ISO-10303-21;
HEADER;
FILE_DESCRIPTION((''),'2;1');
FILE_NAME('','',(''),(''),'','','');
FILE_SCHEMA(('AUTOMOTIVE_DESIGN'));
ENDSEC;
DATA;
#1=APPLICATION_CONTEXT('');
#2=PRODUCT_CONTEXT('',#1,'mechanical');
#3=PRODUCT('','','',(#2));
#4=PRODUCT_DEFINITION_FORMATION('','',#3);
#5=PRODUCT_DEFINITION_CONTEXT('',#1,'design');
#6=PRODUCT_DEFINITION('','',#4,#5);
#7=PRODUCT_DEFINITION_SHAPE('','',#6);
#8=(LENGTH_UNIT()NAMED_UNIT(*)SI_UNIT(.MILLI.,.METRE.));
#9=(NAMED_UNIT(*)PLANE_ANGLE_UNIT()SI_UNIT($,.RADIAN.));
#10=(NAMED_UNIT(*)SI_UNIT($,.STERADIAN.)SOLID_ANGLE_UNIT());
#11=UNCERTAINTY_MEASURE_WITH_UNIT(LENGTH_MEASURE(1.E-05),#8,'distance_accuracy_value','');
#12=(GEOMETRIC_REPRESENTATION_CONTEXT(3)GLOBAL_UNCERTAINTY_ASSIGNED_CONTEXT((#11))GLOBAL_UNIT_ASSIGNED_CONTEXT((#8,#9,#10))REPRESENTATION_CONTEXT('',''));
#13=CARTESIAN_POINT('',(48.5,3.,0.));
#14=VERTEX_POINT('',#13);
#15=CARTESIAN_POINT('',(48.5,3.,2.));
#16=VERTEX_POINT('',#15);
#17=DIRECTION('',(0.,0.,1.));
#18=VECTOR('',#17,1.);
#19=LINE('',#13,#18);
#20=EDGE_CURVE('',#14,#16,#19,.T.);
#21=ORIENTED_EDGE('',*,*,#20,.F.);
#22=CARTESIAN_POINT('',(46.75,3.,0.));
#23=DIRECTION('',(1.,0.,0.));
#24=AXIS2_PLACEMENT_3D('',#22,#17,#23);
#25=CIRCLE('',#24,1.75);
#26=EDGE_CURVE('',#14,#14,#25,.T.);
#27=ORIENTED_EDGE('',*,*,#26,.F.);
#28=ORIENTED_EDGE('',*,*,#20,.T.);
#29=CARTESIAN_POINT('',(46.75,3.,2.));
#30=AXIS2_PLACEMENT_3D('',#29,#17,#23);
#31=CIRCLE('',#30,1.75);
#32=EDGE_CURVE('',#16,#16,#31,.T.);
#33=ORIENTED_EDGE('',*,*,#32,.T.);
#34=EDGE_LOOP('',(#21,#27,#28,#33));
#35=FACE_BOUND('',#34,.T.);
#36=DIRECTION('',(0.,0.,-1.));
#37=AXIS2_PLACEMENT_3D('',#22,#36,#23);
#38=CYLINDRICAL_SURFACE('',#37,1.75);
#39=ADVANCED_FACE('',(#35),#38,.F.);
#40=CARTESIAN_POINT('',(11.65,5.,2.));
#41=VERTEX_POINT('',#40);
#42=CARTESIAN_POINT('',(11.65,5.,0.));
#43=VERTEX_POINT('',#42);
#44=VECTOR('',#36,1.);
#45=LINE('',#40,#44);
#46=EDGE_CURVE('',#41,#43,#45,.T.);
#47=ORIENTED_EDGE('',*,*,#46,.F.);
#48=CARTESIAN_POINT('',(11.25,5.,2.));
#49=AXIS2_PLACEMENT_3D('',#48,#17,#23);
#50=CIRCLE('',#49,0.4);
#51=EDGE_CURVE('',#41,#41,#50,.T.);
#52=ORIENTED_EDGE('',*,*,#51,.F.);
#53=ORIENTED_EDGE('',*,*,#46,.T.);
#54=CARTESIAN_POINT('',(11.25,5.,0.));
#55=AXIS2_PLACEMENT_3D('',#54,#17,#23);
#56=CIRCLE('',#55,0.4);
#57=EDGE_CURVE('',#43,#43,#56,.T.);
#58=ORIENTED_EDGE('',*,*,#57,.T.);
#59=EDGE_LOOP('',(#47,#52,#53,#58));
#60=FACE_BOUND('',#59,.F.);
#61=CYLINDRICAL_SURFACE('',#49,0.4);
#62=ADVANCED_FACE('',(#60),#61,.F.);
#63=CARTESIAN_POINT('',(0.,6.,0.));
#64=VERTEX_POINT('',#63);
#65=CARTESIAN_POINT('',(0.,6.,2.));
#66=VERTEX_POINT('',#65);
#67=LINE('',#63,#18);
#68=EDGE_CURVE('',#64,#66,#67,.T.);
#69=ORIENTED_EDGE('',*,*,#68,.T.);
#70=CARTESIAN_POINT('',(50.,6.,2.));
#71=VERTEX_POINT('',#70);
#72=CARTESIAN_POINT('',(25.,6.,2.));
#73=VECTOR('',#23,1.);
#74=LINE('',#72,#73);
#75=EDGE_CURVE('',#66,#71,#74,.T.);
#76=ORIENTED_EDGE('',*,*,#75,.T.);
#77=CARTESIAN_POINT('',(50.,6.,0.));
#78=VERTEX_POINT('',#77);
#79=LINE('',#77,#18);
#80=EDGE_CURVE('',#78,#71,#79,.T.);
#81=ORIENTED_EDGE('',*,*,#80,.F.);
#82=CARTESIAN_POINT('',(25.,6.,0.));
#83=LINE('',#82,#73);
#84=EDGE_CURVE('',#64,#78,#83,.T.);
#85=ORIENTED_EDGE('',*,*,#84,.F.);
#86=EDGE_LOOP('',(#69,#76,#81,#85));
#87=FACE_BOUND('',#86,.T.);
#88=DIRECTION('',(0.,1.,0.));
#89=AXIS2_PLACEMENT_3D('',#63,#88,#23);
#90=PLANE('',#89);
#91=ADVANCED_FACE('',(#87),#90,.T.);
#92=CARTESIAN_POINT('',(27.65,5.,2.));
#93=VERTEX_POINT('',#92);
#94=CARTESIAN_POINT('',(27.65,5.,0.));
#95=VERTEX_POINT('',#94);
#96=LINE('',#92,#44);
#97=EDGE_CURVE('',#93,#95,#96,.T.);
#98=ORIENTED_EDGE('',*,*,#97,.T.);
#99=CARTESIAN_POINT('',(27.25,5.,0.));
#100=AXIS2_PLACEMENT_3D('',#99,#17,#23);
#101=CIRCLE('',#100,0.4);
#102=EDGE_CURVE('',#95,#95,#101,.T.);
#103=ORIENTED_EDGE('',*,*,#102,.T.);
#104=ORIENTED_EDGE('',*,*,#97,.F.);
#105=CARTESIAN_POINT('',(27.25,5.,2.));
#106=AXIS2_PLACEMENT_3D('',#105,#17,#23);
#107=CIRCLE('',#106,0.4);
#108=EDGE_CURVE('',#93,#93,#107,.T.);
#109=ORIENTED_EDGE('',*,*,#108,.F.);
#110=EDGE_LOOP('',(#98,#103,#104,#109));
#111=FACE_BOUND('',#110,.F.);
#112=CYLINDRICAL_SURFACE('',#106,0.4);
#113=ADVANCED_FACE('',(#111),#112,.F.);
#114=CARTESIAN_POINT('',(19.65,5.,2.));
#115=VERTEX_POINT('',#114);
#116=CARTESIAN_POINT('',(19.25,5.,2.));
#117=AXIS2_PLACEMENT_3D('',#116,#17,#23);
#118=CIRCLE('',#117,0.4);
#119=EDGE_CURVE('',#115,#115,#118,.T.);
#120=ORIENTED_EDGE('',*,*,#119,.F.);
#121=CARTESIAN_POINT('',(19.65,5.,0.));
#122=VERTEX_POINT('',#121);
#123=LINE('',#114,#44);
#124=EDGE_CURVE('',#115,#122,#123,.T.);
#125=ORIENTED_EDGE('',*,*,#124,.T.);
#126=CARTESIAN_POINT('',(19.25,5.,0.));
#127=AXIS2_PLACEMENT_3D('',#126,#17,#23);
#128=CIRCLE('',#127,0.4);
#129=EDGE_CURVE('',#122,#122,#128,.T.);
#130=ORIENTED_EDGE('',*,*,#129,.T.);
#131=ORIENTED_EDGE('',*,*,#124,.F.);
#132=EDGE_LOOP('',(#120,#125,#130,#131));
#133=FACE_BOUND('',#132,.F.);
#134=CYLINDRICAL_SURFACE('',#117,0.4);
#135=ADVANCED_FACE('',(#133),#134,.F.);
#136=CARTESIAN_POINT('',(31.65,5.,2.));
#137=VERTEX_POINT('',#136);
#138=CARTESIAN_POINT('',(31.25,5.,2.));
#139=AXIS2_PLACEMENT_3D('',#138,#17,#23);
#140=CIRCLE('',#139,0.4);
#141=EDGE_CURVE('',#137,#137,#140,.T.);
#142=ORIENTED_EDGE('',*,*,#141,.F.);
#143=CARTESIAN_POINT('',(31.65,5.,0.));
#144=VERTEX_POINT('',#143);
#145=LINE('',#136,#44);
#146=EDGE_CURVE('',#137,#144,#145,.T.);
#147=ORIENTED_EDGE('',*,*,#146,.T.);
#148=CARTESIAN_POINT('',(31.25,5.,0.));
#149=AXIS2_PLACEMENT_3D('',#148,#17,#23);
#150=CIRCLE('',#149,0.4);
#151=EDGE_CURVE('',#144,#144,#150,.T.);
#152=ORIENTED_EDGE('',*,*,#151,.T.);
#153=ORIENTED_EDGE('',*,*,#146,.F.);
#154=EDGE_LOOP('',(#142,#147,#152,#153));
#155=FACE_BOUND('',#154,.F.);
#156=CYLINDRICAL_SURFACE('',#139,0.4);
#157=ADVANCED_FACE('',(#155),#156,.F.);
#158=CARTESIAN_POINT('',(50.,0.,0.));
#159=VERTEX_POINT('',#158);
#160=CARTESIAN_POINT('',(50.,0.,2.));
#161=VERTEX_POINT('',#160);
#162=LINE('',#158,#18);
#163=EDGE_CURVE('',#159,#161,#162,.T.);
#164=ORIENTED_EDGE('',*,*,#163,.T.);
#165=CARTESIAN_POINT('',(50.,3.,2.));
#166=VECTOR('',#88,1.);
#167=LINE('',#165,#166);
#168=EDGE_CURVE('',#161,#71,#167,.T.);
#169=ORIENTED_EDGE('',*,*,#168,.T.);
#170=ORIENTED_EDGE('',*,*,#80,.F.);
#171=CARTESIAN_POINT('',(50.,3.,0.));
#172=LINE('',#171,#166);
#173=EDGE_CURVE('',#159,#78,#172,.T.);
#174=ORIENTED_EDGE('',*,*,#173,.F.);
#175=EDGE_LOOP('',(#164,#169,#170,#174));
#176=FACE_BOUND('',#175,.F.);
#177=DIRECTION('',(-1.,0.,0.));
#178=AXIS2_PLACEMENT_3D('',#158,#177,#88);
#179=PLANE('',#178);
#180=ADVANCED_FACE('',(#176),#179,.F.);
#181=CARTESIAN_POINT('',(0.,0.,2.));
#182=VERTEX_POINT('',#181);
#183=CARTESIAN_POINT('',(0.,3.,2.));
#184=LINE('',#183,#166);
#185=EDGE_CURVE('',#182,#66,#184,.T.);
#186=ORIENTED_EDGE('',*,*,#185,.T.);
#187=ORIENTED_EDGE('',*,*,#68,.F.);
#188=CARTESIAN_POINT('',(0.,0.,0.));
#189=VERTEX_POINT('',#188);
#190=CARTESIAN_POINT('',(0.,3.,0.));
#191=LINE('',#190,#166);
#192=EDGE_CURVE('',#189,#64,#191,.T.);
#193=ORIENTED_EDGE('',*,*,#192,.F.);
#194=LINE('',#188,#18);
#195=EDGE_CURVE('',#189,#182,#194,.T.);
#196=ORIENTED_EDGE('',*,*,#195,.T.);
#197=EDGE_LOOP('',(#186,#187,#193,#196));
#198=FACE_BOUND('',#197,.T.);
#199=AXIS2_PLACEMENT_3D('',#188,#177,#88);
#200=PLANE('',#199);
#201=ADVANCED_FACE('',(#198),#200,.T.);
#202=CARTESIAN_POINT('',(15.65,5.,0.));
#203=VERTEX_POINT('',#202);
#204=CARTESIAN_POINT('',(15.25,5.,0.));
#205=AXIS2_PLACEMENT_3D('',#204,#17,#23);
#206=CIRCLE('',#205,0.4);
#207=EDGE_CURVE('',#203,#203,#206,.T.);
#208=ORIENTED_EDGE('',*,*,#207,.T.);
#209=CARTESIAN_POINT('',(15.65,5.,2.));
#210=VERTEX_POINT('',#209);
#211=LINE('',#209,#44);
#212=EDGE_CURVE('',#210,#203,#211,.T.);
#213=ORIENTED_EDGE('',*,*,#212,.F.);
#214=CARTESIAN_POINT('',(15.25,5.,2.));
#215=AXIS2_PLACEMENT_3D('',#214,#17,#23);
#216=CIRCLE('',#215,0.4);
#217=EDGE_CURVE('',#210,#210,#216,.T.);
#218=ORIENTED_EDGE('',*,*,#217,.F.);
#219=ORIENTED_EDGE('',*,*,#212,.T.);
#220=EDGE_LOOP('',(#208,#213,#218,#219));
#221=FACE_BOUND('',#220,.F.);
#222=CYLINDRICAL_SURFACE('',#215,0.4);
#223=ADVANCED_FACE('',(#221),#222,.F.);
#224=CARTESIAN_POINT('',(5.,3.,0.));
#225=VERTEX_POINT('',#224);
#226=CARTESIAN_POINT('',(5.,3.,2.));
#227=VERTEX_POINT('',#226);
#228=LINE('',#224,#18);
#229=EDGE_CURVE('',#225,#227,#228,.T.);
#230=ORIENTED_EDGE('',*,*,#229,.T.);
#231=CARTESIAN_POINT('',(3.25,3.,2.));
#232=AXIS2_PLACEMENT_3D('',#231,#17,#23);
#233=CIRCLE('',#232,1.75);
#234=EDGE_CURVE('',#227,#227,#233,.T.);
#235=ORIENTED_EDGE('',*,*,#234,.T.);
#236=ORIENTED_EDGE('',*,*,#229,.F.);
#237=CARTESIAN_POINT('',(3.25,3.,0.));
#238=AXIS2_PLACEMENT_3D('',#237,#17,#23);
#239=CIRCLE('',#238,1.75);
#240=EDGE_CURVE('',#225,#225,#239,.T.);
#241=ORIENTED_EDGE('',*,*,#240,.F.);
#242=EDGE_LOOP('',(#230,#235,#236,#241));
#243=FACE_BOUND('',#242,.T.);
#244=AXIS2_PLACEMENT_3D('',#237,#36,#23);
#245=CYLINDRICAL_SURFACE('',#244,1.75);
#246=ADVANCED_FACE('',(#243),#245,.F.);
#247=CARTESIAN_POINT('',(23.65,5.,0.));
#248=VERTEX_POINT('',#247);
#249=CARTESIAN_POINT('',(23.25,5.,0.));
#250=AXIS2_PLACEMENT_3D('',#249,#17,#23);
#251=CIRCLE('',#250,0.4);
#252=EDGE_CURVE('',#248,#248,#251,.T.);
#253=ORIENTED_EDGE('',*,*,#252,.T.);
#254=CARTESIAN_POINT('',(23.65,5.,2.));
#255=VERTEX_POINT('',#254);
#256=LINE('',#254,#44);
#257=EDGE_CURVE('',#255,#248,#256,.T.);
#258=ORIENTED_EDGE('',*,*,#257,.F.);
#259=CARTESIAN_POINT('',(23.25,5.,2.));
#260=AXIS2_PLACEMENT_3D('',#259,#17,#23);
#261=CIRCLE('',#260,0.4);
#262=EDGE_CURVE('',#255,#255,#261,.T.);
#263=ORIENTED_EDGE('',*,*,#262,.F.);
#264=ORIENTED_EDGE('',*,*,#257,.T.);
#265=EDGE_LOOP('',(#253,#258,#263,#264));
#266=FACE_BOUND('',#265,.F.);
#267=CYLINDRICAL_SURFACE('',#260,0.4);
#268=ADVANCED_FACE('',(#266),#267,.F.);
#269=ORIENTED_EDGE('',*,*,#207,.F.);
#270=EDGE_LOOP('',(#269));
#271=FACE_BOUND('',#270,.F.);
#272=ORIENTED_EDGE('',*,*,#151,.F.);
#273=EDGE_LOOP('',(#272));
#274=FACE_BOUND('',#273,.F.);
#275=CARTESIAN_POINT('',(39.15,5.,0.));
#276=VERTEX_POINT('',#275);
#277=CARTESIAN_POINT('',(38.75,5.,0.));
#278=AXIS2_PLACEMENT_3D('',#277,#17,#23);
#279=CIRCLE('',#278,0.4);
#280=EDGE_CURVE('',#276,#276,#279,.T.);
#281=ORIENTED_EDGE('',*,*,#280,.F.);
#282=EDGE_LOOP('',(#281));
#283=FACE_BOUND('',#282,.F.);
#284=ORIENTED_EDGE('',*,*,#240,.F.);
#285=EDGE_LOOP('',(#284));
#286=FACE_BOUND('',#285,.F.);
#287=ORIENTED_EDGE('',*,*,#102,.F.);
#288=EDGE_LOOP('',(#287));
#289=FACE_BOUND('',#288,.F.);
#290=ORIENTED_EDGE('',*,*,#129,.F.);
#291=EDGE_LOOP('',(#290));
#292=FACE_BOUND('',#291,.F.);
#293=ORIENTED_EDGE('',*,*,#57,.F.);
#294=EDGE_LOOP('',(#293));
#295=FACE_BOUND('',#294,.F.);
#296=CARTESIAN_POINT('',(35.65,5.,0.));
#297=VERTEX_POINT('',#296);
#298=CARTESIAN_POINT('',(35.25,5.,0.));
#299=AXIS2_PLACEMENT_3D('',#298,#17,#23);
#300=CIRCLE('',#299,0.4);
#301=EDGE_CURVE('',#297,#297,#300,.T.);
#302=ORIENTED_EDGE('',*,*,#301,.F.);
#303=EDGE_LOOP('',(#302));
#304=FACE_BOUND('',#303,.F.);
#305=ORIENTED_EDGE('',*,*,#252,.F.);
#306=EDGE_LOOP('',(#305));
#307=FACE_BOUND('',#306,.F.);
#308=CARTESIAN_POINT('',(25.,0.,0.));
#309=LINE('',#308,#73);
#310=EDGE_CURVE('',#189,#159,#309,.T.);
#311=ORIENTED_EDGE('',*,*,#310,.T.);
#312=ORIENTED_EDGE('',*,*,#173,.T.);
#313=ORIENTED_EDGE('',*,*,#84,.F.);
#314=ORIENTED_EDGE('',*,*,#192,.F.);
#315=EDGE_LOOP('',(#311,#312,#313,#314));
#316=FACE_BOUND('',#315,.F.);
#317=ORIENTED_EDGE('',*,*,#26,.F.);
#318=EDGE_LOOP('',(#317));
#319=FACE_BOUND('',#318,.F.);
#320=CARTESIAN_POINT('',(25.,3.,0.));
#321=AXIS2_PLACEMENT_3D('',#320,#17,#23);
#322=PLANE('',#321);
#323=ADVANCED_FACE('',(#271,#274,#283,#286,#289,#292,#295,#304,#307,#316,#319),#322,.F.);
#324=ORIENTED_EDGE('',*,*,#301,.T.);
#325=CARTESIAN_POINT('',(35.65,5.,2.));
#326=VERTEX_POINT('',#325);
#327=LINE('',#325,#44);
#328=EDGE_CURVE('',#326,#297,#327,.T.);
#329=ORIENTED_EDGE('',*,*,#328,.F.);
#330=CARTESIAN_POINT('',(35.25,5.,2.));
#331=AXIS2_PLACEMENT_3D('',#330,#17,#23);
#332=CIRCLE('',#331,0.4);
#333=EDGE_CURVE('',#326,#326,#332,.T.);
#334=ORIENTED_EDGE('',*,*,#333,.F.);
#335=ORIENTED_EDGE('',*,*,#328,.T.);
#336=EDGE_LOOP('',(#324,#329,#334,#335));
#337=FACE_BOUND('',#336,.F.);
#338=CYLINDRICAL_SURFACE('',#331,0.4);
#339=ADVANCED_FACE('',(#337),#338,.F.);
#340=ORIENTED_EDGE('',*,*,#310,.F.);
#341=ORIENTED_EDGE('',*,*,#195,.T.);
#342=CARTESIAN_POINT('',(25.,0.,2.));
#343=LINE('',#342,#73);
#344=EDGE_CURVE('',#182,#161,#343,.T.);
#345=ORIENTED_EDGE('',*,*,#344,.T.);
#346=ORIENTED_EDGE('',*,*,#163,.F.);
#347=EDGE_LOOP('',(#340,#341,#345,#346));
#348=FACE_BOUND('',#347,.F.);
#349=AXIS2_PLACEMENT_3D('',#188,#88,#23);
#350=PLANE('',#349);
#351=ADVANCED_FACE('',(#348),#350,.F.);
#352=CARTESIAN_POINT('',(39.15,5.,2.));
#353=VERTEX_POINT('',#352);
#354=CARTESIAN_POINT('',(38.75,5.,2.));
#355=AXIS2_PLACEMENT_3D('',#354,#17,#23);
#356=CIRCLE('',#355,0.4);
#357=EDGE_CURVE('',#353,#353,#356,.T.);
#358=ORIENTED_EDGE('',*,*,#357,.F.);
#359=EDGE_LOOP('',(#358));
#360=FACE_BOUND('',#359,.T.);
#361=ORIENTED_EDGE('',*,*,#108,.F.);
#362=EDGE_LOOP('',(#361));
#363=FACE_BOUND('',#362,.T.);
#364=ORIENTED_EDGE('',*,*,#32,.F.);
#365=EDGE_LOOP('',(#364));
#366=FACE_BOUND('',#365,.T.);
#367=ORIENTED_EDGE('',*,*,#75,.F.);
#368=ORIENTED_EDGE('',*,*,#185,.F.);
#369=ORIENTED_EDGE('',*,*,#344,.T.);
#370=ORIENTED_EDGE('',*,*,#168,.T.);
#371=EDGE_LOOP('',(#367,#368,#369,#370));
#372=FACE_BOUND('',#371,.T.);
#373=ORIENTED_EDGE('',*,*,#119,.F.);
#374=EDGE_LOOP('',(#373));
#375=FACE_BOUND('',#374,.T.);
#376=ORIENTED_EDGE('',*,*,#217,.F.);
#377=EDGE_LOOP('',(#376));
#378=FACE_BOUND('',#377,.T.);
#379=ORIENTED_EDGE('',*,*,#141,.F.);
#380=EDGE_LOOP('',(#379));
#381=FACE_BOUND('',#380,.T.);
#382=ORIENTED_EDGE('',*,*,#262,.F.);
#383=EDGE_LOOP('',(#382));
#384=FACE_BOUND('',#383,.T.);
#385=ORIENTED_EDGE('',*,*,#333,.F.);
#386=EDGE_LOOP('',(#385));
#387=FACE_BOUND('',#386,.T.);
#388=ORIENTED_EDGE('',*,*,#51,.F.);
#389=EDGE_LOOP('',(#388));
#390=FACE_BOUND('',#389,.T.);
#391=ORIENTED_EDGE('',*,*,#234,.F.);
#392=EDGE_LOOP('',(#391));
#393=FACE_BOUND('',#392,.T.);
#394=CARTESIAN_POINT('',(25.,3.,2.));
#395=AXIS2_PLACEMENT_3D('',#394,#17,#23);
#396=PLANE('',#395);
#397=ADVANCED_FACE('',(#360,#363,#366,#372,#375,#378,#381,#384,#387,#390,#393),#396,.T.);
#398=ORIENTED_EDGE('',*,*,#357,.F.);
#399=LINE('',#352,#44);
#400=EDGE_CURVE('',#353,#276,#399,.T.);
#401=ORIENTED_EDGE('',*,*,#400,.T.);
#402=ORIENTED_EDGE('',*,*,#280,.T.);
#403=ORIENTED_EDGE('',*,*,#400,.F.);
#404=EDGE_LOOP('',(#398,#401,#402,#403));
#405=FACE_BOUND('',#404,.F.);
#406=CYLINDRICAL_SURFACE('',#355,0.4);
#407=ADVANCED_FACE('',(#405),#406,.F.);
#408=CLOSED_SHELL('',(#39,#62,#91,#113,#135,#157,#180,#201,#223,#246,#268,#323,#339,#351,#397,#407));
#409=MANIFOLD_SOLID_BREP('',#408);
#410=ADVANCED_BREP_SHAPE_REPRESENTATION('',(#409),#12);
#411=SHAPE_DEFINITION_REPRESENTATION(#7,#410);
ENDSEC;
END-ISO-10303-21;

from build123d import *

# Parameters (mm, degrees)
F0_W     = 50
F0_H     = 6
F0_R     = 1.75
F1_DEPTH = 2
F2_R     = 0.4
F3_DEPTH = 2.001


with BuildPart() as f1:
    # F0 (on Top) → F1 (new body)
    with BuildSketch(Plane.XY):
        with Locations((25, 3)):
            Rectangle(F0_W, F0_H)
        with Locations((3.25, 3)):
            Circle(F0_R, mode=Mode.SUBTRACT)
        with Locations((46.75, 3)):
            Circle(F0_R, mode=Mode.SUBTRACT)
    extrude(amount=F1_DEPTH)

    # F2 (on face) → F3 (cut, through all)
    with BuildSketch(Plane.XY.offset(2)):
        with Locations((11.25, 5)):
            Circle(F2_R)
        with Locations((15.25, 5)):
            Circle(F2_R)
        with Locations((19.25, 5)):
            Circle(F2_R)
        with Locations((23.25, 5)):
            Circle(F2_R)
        with Locations((27.25, 5)):
            Circle(F2_R)
        with Locations((31.25, 5)):
            Circle(F2_R)
        with Locations((35.25, 5)):
            Circle(F2_R)
        with Locations((38.75, 5)):
            Circle(F2_R)
    extrude(amount=-F3_DEPTH, mode=Mode.SUBTRACT)


solid = f1.part
